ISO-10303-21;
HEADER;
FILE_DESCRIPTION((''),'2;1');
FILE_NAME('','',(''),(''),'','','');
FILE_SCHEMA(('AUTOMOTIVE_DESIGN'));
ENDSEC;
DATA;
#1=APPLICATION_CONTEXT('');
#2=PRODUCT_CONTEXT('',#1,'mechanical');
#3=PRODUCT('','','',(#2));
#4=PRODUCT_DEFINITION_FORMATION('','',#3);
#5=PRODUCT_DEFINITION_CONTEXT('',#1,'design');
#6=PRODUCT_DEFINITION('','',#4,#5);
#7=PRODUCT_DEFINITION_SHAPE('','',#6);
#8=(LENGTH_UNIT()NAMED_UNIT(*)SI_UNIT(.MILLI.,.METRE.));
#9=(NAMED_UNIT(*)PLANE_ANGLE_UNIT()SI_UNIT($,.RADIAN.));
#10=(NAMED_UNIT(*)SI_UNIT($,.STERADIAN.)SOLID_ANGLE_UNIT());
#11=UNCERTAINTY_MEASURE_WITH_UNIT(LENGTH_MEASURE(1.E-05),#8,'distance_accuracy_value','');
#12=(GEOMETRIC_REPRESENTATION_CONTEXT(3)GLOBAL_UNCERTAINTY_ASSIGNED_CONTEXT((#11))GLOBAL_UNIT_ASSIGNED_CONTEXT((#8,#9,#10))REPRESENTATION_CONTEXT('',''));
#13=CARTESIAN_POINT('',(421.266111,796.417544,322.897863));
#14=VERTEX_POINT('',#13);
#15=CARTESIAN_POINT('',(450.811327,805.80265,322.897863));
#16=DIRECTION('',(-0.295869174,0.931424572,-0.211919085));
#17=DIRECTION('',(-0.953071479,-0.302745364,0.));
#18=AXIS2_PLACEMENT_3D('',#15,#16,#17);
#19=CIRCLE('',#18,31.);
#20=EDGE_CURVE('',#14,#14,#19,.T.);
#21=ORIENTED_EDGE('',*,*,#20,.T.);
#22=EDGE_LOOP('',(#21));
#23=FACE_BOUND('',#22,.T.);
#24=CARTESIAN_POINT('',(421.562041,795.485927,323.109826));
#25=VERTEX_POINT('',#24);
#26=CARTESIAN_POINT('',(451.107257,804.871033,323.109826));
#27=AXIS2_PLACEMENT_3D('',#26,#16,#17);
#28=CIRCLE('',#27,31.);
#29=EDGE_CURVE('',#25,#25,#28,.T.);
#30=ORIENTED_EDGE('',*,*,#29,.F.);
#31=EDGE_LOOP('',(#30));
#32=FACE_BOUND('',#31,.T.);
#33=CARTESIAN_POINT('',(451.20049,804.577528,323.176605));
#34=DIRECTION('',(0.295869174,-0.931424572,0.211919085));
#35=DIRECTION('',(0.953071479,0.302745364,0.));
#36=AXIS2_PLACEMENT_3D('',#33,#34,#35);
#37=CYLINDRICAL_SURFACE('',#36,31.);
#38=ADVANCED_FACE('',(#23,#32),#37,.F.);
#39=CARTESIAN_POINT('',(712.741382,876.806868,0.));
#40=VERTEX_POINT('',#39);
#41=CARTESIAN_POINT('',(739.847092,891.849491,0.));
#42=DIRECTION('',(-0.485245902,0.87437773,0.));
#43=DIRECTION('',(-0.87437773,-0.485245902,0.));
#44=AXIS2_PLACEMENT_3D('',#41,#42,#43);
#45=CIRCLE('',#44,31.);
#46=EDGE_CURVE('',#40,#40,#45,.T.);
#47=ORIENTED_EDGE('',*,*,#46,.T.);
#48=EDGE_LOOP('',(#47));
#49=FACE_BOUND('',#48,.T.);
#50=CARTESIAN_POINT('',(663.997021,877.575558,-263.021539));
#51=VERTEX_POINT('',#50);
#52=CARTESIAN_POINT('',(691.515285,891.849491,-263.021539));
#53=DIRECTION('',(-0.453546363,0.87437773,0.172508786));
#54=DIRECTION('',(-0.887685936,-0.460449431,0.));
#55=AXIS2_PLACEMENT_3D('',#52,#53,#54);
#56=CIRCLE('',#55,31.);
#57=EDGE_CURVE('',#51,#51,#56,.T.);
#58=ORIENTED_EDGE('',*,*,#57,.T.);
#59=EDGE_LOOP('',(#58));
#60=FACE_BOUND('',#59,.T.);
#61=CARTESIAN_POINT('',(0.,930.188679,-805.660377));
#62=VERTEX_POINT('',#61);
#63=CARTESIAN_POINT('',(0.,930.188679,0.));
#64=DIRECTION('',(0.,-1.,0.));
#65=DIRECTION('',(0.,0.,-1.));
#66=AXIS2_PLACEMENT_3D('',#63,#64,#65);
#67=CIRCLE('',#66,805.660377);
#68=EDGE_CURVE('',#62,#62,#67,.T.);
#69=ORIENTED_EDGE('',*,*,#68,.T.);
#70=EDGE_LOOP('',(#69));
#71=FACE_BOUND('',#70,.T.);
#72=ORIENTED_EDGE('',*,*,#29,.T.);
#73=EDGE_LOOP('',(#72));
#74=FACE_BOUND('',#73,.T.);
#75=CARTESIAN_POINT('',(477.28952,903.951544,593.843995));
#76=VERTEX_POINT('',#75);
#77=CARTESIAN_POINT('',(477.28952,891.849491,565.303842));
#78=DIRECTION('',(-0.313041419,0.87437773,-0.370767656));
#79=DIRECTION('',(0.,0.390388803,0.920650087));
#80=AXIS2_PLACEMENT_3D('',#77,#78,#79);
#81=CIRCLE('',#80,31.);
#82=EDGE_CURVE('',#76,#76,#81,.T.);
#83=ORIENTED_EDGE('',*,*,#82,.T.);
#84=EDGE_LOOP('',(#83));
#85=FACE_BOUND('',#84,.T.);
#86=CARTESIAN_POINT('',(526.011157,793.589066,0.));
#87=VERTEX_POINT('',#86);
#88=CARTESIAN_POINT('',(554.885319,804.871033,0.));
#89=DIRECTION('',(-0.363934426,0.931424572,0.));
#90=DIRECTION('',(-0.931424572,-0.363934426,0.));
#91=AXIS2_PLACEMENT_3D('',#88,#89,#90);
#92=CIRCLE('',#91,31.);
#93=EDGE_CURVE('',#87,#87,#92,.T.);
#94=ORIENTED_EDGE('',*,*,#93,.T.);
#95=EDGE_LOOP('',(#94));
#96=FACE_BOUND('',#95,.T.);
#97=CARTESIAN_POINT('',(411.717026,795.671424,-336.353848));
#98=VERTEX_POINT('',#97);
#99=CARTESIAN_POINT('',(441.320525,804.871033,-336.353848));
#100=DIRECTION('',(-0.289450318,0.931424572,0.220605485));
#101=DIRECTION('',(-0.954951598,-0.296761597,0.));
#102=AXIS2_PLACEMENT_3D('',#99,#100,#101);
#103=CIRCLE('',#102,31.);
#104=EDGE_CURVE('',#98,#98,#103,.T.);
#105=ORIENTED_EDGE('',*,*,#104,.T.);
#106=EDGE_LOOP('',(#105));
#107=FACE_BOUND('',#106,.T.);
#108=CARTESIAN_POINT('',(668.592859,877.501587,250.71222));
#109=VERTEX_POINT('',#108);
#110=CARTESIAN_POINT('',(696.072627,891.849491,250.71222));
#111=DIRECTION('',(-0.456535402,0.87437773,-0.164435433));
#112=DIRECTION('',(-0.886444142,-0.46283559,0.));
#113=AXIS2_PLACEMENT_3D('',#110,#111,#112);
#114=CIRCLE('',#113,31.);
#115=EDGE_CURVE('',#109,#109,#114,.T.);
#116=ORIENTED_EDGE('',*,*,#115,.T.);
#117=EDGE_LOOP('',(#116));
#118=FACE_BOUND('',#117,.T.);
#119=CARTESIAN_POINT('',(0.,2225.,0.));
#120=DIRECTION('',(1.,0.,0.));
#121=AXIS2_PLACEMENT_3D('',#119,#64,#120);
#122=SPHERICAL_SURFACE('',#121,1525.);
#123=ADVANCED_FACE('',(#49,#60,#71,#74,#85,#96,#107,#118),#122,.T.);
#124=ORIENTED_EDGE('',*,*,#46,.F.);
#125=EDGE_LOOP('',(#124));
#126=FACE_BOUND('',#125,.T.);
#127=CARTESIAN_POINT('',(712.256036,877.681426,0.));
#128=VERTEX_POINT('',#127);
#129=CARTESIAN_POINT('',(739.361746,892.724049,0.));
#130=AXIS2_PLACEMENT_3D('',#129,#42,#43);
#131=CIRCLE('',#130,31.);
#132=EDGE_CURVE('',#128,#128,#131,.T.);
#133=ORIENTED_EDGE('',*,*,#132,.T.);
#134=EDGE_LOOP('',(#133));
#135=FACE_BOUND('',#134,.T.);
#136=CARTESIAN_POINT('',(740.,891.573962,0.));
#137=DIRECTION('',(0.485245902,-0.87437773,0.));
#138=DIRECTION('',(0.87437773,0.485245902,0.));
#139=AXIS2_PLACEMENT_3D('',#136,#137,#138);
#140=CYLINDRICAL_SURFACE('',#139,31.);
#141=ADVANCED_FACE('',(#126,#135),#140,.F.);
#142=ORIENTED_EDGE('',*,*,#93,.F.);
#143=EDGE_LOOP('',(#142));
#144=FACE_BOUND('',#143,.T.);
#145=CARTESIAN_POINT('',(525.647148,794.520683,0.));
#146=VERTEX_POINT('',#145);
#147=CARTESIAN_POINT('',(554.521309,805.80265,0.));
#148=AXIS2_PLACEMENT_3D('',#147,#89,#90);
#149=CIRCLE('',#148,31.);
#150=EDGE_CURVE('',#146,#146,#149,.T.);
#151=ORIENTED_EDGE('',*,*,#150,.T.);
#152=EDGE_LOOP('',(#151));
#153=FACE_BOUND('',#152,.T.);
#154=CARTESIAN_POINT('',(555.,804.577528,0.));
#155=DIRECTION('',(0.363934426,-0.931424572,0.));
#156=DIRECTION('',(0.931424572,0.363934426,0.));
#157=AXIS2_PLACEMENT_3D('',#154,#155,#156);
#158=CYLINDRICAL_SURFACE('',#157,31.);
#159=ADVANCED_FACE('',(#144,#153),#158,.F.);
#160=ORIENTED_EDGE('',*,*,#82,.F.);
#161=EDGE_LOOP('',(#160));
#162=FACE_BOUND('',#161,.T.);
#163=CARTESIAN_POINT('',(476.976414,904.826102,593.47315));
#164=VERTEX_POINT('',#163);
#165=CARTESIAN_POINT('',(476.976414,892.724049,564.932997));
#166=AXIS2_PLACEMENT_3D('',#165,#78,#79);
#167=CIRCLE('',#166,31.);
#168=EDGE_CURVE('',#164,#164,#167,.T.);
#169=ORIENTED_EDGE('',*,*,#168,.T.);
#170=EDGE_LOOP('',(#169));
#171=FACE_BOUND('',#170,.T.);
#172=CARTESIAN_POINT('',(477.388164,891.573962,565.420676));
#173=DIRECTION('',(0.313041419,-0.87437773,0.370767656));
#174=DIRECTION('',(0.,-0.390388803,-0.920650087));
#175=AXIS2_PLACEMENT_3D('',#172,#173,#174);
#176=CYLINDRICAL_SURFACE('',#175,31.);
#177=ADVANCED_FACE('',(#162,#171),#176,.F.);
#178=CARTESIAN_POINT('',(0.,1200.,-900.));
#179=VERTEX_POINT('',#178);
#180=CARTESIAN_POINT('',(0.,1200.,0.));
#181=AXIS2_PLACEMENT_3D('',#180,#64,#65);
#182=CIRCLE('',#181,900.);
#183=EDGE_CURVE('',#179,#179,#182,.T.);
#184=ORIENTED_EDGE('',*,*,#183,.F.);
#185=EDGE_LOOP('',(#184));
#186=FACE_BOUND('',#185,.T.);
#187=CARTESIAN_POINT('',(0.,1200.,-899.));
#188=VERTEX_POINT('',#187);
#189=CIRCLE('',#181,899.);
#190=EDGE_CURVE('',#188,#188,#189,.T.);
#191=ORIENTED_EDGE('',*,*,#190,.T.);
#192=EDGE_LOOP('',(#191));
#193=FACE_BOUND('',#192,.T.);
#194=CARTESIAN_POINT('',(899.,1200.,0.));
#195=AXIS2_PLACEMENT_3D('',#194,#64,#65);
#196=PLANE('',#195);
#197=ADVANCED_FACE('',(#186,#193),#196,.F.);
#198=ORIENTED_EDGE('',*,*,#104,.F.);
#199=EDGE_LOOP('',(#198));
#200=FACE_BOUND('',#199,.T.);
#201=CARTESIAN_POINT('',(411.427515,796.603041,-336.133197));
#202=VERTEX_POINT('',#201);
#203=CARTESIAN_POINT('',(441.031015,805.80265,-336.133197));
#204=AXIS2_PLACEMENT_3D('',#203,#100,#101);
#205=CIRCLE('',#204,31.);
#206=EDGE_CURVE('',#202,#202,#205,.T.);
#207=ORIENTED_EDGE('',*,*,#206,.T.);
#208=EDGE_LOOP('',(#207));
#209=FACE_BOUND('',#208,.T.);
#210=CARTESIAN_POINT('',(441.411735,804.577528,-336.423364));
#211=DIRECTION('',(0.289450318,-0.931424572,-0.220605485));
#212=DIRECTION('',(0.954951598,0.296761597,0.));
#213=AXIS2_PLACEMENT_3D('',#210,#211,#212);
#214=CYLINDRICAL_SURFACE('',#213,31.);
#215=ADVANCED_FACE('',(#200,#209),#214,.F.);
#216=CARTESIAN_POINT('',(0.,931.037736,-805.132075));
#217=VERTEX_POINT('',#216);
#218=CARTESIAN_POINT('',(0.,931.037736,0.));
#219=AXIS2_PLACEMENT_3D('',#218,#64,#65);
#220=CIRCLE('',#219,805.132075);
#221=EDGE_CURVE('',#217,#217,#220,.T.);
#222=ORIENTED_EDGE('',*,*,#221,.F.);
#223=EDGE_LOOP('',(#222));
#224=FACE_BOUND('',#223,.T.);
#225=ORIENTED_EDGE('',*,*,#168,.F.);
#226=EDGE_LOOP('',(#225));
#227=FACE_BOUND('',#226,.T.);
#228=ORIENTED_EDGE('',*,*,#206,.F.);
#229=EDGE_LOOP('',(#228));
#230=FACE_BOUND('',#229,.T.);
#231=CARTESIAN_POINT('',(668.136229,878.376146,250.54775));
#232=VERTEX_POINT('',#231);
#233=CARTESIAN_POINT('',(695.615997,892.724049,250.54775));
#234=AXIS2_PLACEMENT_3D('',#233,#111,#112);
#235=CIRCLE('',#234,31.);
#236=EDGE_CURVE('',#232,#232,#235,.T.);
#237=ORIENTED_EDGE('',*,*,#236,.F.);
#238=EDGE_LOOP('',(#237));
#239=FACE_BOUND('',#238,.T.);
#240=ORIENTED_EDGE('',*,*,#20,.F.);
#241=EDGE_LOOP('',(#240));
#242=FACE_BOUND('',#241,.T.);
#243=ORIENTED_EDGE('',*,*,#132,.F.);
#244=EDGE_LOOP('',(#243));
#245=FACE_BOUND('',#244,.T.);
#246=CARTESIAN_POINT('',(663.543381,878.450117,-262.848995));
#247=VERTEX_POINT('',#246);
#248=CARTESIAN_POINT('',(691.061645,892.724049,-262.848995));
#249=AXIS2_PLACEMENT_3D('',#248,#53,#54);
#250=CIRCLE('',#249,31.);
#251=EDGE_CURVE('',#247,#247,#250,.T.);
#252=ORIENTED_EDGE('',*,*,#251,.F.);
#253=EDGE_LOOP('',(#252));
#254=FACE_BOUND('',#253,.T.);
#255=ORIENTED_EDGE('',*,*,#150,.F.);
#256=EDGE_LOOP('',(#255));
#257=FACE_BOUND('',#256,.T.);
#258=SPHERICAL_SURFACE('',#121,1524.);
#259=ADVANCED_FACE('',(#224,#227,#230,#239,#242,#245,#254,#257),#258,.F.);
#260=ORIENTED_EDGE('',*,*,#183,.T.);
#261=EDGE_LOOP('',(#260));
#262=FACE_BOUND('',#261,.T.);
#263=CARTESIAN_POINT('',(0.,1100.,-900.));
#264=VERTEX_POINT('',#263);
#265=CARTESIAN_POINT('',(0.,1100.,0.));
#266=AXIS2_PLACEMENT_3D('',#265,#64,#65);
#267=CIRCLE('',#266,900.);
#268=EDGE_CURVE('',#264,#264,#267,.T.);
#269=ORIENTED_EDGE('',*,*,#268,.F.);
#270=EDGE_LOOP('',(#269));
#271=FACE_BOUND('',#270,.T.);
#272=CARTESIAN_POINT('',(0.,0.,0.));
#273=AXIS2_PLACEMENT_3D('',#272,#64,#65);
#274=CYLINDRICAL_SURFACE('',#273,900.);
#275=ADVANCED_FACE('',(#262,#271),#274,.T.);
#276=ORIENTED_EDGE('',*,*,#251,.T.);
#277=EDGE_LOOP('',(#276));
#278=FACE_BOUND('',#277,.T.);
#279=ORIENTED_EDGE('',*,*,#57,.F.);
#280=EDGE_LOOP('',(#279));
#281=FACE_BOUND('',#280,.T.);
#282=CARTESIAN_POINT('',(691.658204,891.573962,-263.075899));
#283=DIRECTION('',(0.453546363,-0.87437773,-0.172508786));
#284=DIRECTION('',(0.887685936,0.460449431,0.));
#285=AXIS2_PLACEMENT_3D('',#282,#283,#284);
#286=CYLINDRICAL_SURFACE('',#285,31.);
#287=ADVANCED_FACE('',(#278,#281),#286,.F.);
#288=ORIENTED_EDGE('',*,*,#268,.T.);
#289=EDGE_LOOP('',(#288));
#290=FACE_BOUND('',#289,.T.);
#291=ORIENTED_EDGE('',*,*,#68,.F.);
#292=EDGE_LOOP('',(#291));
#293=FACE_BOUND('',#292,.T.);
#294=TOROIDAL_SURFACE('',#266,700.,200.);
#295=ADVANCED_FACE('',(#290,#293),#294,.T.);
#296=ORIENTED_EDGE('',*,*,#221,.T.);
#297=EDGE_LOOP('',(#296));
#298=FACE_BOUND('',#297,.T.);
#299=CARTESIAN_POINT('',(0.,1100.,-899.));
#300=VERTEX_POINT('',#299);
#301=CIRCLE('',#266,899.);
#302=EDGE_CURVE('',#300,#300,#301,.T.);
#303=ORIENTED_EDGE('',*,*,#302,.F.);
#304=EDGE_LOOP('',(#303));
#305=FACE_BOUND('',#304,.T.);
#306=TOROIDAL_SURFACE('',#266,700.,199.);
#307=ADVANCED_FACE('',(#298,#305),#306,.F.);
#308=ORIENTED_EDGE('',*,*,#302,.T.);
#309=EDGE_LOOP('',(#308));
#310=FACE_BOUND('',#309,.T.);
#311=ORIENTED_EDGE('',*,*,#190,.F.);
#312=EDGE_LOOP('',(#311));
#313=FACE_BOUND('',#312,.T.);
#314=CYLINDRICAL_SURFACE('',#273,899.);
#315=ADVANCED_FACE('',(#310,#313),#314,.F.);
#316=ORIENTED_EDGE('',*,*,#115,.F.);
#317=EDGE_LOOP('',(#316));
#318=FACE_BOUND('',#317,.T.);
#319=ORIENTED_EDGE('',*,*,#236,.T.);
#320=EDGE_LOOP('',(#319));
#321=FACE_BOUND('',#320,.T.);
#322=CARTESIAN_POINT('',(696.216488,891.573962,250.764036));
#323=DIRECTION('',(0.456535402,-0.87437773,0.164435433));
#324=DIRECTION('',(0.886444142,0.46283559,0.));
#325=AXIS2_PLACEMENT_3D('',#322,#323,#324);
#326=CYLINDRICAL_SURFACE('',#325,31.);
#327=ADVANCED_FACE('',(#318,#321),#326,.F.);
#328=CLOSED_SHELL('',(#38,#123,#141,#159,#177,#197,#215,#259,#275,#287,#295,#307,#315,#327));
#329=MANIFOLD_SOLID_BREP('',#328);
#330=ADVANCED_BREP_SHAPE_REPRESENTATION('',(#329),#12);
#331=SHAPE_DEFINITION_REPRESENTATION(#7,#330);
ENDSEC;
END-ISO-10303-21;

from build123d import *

# Parameters (mm, degrees)
DURCHGANGSLOCH_F_R_M561_D           = 62
DURCHGANGSLOCH_F_R_M561_ON_FACE_2_D = 62
DURCHGANGSLOCH_F_R_M561_ON_FACE_3_D = 62
DURCHGANGSLOCH_F_R_M561_ON_FACE_4_D = 62
DURCHGANGSLOCH_F_R_M561_ON_FACE_5_D = 62
DURCHGANGSLOCH_F_R_M561_ON_FACE_6_D = 62
DURCHGANGSLOCH_F_R_M561_ON_FACE_7_D = 62


with BuildPart() as part:
    # Skizze2 → Rotation-D_nn1 (revolve)
    with BuildSketch(Plane.XY, mode=Mode.PRIVATE) as rotation_d_nn1_sk:
        with BuildLine():
            Line((900, 1200), (900, 1100))
            ThreePointArc((900, 1100), (874.831455224, 1002.871413764), (805.660377358, 930.188679245))
            ThreePointArc((805.660377358, 930.188679245), (418.949720044, 758.675979848), (0, 700))
            Line((0, 700), (0, 701))
            ThreePointArc((0, 701), (418.674998916, 759.637503795), (805.132075472, 931.037735849))
            ThreePointArc((805.132075472, 931.037735849), (873.957297948, 1003.357056695), (899, 1100))
            Line((899, 1100), (899, 1200))
            Line((899, 1200), (900, 1200))
        make_face()
    revolve(rotation_d_nn1_sk.sketch.rotate(Axis((0, 0, 0), (0, 1, 0)), 90), axis=Axis((0, 0, 0), (0, 1, 0)))  # turned: the seam where the file's is

    # Durchgangsloch f_r M561 (through all)
    with Locations(Plane(origin=(691.658204037, 891.573961556, -263.075899291), x_dir=(-0.887685936, -0.460449431, 0), z_dir=(0.453546363, -0.87437773, -0.172508786))):
        with Locations((0, 0)):
            Hole(DURCHGANGSLOCH_F_R_M561_D / 2)

    # Durchgangsloch f_r M561 on face 2 (through all)
    with Locations(Plane(origin=(477.38816392, 891.573961556, 565.420676089), x_dir=(0, -0.390389007, -0.92065), z_dir=(0.313040927, -0.874377797, 0.370767914))):
        with Locations((0, 0)):
            Hole(DURCHGANGSLOCH_F_R_M561_ON_FACE_2_D / 2)

    # Durchgangsloch f_r M561 on face 3 (through all)
    with Locations(Plane(origin=(740, 891.573961556, 0), x_dir=(-0.874377752, -0.485245862, 0), z_dir=(0.485245862, -0.874377752, 0))):
        with Locations((0, 0)):
            Hole(DURCHGANGSLOCH_F_R_M561_ON_FACE_3_D / 2)

    # Durchgangsloch f_r M561 on face 4 (through all)
    with Locations(Plane(origin=(441.411735182, 804.577527635, -336.423364295), x_dir=(-0.954951729, -0.296761176, 0), z_dir=(0.289449942, -0.931424814, -0.220604956))):
        with Locations((0, 0)):
            Hole(DURCHGANGSLOCH_F_R_M561_ON_FACE_4_D / 2)

    # Durchgangsloch f_r M561 on face 5 (through all)
    with Locations(Plane(origin=(555, 804.577527635, 0), x_dir=(-0.931424773, -0.363933911, 0), z_dir=(0.363933911, -0.931424773, 0))):
        with Locations((0, 0)):
            Hole(DURCHGANGSLOCH_F_R_M561_ON_FACE_5_D / 2)

    # Durchgangsloch f_r M561 on face 6 (through all)
    with Locations(Plane(origin=(696.216488153, 891.573961556, 250.764035747), x_dir=(-0.886444368, -0.462835158, 0), z_dir=(0.456535009, -0.874378016, 0.164435003))):
        with Locations((0, 0)):
            Hole(DURCHGANGSLOCH_F_R_M561_ON_FACE_6_D / 2)

    # Durchgangsloch f_r M561 on face 7 (through all)
    with Locations(Plane(origin=(451.200489776, 804.577527635, 323.176605011), x_dir=(-0.953071571, -0.302745076, 0), z_dir=(0.295868903, -0.931424693, 0.21191893))):
        with Locations((1e-09, 0)):
            Hole(DURCHGANGSLOCH_F_R_M561_ON_FACE_7_D / 2)


solid = part.part
